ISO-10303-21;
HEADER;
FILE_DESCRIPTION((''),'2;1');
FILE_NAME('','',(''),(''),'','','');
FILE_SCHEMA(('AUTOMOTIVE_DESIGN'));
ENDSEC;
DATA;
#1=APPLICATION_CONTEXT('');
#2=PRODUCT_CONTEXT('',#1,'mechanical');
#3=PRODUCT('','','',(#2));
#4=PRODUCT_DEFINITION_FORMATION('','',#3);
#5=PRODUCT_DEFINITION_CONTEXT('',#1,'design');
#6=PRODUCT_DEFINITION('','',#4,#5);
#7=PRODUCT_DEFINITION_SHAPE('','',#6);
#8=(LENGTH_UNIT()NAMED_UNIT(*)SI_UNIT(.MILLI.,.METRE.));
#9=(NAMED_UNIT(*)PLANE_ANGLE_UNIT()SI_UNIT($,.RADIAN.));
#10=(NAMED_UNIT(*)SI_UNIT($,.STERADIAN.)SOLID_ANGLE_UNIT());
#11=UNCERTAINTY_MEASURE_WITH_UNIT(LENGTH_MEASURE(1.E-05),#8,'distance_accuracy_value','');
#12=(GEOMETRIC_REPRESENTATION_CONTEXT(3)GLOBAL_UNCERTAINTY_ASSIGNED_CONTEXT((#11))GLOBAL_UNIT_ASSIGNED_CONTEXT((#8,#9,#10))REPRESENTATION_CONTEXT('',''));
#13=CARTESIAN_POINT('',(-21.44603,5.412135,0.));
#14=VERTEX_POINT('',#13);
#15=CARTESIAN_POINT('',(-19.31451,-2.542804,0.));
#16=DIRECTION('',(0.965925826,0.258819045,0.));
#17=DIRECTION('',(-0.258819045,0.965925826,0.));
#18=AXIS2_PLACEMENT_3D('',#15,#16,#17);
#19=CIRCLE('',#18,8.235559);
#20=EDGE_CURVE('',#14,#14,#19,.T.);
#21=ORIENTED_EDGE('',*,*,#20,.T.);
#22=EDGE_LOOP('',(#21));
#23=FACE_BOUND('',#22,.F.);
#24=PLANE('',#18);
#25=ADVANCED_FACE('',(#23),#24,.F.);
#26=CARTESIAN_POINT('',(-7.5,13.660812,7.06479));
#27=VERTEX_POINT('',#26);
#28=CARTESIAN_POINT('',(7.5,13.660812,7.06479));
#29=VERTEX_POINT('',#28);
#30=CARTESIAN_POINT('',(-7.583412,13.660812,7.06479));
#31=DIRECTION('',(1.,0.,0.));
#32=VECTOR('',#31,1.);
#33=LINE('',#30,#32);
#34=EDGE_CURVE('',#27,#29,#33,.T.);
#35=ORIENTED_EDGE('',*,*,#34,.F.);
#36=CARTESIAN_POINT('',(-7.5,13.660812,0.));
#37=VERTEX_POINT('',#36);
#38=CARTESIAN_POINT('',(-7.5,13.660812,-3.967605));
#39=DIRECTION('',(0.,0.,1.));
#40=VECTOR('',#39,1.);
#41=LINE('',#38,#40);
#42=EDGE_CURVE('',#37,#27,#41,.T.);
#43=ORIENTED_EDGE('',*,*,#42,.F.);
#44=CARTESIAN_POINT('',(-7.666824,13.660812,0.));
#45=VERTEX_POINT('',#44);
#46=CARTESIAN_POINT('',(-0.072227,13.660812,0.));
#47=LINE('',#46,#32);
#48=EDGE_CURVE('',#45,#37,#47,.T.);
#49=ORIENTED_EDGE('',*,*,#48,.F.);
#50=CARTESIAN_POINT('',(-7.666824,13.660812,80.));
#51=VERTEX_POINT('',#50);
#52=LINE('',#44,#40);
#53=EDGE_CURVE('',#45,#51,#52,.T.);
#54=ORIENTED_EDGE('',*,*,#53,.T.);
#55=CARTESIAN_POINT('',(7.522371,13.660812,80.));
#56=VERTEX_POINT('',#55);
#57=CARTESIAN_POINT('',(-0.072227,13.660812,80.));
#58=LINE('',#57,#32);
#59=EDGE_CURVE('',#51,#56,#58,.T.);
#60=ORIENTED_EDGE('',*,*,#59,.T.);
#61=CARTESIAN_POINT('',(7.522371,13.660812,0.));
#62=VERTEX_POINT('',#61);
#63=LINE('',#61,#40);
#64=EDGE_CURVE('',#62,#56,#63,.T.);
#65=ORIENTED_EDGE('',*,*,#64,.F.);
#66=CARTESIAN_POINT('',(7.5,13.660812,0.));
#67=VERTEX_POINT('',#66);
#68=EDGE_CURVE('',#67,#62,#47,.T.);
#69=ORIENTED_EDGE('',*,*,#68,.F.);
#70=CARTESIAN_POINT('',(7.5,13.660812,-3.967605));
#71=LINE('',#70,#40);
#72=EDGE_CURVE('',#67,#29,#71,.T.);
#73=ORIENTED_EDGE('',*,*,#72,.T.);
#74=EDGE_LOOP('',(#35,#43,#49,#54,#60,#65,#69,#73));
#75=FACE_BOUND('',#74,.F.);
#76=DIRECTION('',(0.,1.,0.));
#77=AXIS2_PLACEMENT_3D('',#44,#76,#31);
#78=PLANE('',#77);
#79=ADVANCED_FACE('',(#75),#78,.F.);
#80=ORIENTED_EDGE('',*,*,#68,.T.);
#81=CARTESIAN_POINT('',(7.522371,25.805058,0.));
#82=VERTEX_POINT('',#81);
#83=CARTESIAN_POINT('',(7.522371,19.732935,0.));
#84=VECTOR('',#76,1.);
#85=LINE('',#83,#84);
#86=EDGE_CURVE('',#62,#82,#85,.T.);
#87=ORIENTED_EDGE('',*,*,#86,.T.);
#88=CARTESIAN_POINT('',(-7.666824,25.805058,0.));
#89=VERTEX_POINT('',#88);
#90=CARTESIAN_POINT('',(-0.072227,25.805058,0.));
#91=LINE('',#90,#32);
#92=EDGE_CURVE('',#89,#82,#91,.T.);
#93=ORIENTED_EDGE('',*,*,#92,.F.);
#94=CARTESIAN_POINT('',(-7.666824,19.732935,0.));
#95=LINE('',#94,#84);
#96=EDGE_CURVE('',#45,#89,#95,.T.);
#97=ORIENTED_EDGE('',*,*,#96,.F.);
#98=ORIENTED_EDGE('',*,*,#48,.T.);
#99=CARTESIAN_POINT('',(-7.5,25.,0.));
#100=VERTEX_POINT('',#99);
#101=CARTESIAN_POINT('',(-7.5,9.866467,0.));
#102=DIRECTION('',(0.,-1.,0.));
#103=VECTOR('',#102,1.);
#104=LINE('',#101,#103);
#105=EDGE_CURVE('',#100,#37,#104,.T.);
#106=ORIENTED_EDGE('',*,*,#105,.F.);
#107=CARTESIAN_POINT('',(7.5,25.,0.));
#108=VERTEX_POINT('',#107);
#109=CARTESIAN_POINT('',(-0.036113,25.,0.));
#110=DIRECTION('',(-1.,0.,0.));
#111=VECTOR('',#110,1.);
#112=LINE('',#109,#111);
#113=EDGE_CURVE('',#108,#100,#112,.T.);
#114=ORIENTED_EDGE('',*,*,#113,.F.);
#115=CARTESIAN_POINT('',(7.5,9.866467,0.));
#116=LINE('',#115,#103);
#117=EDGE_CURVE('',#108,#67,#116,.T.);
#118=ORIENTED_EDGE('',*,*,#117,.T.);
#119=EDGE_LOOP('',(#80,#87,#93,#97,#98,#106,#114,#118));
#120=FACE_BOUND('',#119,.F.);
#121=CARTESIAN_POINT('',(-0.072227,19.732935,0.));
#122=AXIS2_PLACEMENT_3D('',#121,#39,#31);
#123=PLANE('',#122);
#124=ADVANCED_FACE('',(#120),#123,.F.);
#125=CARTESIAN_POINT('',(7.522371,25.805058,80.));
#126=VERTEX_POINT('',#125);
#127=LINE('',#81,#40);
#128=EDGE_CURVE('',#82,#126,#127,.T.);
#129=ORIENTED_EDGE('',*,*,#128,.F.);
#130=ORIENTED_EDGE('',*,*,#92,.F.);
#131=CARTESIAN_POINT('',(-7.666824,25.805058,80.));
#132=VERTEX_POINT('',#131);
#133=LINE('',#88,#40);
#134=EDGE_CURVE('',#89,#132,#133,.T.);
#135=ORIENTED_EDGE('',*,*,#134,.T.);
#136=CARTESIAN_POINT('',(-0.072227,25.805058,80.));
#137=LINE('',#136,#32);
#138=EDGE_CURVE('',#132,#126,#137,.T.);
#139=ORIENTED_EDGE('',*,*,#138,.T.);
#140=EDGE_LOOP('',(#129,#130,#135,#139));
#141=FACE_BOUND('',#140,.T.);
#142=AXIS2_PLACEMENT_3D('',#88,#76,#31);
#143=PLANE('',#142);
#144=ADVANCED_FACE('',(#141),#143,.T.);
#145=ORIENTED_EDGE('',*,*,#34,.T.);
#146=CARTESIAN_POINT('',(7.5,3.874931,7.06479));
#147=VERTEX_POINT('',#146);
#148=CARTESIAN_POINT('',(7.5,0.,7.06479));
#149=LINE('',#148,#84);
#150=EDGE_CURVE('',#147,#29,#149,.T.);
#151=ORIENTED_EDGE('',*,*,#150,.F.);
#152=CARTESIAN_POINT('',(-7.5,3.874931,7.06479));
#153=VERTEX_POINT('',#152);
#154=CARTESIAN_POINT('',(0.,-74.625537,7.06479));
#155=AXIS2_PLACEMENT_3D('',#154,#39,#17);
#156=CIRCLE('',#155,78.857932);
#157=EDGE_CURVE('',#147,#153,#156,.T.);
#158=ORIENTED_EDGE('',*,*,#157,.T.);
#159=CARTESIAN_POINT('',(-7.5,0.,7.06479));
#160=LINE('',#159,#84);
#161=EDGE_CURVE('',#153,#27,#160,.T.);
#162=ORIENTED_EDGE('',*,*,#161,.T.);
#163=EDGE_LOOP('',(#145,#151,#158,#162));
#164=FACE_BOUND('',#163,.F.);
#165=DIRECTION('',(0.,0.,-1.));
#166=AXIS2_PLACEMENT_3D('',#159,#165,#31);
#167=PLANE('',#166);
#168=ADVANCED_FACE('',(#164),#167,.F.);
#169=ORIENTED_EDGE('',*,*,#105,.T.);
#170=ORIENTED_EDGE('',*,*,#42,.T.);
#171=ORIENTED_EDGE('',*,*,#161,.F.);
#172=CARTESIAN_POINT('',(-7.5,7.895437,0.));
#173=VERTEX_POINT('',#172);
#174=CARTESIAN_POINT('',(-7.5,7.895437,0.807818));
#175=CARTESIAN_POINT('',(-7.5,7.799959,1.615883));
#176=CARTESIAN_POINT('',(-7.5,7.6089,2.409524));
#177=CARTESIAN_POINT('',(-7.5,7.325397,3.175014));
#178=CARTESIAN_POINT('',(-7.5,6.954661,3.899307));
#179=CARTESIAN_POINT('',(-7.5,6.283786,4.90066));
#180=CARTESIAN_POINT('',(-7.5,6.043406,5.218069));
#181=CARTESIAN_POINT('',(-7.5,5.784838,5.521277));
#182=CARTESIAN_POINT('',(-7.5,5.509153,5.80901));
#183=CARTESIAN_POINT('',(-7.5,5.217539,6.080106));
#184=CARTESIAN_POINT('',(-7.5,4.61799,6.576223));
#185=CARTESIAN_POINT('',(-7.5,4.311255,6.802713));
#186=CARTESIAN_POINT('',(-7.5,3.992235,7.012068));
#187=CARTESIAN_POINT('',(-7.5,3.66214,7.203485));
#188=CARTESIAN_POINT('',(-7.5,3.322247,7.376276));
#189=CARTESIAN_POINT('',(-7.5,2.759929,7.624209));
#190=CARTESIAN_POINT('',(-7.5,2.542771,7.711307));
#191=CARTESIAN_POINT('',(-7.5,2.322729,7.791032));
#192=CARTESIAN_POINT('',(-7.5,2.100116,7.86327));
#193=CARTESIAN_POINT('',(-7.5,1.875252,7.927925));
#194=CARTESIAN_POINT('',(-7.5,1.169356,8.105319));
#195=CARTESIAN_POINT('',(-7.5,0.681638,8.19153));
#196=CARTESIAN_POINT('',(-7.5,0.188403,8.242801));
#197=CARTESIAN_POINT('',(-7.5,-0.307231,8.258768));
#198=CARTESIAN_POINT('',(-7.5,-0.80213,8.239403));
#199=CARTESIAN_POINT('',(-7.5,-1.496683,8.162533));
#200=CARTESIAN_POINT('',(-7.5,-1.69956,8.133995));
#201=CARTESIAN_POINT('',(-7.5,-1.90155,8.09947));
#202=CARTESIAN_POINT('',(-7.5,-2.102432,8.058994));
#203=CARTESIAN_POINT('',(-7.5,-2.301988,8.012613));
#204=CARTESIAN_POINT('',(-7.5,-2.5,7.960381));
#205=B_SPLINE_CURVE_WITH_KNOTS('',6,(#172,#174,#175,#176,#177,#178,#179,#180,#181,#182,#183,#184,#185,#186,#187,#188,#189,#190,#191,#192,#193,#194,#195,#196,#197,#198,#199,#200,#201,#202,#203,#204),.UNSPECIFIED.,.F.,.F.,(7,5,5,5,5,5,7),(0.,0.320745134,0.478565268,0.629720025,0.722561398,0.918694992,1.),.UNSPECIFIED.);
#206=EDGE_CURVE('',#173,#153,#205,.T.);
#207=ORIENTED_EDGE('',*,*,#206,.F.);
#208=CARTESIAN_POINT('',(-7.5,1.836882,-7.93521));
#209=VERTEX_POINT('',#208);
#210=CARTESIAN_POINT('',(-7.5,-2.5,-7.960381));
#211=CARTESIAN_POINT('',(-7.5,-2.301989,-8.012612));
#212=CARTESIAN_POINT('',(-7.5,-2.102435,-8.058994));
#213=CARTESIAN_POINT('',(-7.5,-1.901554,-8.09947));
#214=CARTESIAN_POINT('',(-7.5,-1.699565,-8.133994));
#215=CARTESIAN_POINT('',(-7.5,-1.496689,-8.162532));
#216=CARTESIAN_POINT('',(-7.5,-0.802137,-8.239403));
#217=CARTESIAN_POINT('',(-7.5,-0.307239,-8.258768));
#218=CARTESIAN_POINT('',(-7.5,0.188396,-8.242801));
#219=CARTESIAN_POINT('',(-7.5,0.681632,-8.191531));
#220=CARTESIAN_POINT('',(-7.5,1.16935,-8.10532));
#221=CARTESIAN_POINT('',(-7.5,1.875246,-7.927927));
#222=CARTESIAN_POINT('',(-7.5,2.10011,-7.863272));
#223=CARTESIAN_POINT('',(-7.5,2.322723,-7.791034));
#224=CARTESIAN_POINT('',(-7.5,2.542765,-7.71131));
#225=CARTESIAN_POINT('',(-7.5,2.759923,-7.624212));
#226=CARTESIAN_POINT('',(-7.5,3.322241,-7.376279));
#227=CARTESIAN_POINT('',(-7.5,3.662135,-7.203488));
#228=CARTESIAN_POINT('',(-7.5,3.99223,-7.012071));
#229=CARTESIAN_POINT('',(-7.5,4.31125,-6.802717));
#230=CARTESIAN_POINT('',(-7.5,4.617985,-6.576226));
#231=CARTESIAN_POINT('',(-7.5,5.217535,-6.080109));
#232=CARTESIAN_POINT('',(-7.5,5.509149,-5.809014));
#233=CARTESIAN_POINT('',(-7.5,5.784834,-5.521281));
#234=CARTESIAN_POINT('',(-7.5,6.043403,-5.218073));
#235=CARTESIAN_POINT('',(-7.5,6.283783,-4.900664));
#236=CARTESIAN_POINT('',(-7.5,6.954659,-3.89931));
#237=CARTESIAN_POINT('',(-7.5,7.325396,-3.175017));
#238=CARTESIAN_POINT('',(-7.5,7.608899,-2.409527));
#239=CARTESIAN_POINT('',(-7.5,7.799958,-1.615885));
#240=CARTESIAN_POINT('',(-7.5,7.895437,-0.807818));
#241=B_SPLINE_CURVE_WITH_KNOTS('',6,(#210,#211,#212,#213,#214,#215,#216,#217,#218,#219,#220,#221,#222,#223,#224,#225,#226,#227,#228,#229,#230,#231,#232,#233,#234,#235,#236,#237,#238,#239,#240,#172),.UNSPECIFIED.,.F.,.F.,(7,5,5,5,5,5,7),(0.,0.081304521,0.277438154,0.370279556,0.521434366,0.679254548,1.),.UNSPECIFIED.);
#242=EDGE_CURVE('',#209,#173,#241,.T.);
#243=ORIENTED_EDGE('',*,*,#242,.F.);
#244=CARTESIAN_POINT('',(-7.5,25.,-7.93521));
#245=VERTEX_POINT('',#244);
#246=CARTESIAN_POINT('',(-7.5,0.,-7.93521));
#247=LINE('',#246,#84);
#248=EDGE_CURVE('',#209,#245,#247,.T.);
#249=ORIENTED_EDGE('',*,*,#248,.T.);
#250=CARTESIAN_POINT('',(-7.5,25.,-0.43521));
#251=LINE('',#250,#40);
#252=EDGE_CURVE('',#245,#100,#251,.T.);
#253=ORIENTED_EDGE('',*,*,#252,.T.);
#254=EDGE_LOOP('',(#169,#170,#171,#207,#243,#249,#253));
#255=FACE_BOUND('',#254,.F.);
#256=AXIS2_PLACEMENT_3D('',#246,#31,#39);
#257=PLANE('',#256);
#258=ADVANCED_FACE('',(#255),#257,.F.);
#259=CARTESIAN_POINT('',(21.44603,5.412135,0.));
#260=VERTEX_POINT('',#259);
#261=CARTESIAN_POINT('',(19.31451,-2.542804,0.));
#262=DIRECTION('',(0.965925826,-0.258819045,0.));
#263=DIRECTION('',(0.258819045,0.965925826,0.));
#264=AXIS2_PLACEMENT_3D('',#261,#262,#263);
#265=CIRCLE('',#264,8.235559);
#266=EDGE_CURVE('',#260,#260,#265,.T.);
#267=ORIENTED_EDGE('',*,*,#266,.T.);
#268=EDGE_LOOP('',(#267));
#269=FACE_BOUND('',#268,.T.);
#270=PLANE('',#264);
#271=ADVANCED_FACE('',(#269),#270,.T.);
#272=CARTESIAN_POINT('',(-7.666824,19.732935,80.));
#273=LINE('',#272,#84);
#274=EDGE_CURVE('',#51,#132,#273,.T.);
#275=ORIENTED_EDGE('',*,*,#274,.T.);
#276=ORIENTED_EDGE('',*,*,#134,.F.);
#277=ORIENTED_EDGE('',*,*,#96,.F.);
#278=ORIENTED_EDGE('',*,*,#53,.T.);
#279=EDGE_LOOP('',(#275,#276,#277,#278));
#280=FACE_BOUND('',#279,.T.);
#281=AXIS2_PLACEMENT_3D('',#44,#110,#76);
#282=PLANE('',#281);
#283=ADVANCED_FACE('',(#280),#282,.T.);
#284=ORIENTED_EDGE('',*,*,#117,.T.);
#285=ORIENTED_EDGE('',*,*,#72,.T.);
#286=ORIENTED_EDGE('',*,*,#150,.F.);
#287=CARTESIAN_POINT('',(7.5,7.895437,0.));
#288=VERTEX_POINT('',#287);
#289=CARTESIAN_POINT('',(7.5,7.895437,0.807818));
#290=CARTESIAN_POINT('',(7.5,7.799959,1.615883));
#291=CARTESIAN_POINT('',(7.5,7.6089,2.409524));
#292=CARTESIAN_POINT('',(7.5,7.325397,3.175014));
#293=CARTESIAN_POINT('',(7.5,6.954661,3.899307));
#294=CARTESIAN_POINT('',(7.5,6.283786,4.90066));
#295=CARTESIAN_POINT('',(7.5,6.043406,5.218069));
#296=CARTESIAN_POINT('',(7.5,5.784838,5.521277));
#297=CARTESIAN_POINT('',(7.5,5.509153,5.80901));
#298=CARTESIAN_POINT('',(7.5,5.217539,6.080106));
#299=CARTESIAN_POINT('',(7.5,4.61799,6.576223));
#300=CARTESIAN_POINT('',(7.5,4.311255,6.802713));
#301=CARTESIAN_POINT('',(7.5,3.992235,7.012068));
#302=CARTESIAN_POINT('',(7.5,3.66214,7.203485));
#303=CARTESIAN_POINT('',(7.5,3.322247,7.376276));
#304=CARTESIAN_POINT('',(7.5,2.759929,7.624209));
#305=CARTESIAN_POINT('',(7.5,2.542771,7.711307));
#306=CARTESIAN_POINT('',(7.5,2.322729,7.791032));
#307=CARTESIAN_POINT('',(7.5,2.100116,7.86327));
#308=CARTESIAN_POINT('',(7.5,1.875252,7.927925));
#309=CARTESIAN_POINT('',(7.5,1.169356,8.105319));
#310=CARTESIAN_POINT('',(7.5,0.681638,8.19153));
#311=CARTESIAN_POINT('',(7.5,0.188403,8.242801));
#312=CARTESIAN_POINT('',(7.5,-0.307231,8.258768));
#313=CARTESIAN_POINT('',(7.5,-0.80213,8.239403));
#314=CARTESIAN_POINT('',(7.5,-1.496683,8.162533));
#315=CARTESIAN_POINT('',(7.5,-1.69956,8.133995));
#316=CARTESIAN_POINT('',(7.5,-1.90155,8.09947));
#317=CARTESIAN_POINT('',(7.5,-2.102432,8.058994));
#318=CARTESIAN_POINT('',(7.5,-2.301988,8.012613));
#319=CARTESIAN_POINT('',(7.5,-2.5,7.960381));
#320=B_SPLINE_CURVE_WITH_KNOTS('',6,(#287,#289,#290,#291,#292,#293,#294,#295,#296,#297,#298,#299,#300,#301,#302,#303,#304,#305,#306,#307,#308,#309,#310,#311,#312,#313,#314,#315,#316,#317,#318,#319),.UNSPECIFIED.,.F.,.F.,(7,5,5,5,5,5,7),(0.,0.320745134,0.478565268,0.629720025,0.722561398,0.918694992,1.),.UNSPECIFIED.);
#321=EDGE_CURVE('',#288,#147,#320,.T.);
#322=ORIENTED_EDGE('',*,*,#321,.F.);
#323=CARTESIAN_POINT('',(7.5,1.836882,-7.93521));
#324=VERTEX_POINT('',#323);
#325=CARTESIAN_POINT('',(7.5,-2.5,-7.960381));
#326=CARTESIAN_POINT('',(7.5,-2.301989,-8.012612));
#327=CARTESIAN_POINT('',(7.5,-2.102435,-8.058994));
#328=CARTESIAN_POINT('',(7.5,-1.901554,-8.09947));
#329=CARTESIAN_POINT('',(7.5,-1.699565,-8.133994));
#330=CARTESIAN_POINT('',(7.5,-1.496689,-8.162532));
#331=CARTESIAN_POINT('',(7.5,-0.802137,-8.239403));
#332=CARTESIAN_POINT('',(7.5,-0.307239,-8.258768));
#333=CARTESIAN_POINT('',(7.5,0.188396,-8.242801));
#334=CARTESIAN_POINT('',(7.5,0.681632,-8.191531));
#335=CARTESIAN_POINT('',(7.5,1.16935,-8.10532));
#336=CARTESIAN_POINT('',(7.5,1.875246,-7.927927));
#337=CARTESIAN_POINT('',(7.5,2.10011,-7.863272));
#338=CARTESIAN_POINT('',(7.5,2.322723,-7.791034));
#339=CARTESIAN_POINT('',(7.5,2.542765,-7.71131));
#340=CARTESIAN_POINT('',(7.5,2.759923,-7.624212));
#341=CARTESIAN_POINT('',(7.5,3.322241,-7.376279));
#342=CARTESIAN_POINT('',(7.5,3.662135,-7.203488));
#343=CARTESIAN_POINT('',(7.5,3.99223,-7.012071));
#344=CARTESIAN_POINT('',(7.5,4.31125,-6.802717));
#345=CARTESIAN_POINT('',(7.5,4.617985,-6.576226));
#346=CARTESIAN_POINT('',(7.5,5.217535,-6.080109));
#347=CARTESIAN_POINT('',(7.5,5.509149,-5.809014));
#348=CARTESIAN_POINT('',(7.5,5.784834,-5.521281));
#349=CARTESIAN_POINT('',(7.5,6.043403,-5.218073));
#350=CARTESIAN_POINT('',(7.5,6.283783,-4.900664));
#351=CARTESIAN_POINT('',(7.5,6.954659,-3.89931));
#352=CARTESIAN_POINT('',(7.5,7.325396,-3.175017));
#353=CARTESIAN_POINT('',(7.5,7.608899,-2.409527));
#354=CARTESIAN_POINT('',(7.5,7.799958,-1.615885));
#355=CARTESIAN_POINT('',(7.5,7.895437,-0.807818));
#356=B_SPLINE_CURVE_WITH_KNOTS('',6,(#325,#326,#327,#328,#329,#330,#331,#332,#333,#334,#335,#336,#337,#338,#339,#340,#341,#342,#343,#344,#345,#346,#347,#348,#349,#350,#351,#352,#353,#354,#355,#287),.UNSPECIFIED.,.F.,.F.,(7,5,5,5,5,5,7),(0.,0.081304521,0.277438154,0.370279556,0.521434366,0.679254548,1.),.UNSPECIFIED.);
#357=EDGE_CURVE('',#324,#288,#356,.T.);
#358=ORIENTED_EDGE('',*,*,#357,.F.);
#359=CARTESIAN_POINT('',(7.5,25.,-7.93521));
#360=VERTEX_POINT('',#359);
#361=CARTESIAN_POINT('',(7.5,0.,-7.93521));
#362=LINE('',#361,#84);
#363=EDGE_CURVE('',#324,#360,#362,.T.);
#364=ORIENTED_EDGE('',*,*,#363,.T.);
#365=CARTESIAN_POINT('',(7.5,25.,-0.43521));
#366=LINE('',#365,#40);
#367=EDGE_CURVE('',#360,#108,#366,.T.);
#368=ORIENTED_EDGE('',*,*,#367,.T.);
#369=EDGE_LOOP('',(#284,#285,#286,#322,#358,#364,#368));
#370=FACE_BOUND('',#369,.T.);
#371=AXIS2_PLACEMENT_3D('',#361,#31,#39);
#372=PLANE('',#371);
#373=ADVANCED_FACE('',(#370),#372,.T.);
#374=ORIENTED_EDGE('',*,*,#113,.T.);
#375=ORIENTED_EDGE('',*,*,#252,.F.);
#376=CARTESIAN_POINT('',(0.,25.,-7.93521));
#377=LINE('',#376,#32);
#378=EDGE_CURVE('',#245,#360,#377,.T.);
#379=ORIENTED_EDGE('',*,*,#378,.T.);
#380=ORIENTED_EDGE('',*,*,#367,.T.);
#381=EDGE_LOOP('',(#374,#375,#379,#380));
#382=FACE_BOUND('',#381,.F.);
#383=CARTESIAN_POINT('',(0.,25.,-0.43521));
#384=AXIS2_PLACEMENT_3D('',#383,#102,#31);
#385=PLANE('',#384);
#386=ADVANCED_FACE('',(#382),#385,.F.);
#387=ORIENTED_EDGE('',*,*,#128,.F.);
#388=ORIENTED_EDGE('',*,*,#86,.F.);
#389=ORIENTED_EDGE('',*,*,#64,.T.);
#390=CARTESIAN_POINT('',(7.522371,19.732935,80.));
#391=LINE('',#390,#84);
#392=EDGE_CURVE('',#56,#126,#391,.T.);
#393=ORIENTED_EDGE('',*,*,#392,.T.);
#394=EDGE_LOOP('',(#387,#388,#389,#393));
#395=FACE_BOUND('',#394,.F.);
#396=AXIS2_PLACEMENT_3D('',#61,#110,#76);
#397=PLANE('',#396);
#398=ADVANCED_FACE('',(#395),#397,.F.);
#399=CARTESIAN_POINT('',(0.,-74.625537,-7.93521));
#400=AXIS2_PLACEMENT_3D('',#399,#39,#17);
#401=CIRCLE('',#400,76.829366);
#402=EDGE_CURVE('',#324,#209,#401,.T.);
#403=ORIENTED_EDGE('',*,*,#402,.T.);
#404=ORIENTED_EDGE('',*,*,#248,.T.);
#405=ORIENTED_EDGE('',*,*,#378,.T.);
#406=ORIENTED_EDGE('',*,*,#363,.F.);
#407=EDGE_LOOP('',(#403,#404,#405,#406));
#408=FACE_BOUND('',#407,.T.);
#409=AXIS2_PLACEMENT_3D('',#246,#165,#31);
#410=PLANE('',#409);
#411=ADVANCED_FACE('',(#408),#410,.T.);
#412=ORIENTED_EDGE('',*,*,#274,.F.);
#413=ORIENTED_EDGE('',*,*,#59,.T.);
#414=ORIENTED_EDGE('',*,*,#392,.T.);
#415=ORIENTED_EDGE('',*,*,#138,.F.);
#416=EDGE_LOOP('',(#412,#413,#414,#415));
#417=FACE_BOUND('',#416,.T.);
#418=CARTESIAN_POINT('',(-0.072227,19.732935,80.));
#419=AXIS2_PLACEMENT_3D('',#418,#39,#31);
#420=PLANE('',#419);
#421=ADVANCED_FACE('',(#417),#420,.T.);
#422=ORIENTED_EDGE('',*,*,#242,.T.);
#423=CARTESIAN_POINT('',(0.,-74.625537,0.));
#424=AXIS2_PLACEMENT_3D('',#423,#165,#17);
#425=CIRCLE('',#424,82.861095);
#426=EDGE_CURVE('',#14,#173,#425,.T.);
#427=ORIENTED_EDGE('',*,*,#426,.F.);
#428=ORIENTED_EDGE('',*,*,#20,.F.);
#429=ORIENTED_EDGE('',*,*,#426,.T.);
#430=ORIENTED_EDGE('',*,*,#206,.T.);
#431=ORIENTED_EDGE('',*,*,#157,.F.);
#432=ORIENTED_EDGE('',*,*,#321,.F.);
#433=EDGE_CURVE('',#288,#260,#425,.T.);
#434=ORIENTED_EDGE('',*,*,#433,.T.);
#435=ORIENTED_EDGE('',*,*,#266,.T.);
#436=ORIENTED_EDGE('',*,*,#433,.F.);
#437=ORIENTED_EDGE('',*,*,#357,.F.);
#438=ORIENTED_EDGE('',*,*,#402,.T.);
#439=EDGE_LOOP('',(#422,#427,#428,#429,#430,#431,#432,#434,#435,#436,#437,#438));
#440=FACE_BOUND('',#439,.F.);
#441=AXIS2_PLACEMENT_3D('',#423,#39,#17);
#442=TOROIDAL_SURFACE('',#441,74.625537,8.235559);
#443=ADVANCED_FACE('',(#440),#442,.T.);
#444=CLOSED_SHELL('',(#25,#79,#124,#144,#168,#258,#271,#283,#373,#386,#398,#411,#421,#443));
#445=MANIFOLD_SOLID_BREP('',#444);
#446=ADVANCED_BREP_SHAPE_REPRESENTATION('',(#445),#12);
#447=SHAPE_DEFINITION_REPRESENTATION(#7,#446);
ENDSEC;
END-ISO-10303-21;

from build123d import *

# Parameters (mm, degrees)
F0_R          = 8.2355585824
F1_ANGLE_BACK = 15
F1_ANGLE      = 30
F2_W          = 15
F2_H          = 15
F3_DEPTH      = 25
F4_W          = 15.1891945861
F4_H          = 12.1442461386
F5_DEPTH      = 80


with BuildPart() as f1:
    # F0 (on Right) → F1 (revolve)
    with BuildSketch(Plane.YZ, mode=Mode.PRIVATE) as f1_sk:
        Circle(F0_R)
    revolve(f1_sk.sketch.rotate(Axis((0, -74.6255367994, -4.2161336169), (0, 0, -1)), -F1_ANGLE_BACK), axis=Axis((0, -74.6255367994, -4.2161336169), (0, 0, -1)), revolution_arc=F1_ANGLE)

    # F2 (on Front) → F3 (join)
    with BuildSketch(Plane.XZ):
        with Locations((0, -0.4352101311)):
            Rectangle(F2_W, F2_H)
    extrude(amount=-F3_DEPTH)

    # F4 (on Top) → F5 (join)
    with BuildSketch(Plane.XY):
        with Locations((-0.0722266268, 19.7329348885)):
            Rectangle(F4_W, F4_H)
    extrude(amount=F5_DEPTH)


solid = f1.part
